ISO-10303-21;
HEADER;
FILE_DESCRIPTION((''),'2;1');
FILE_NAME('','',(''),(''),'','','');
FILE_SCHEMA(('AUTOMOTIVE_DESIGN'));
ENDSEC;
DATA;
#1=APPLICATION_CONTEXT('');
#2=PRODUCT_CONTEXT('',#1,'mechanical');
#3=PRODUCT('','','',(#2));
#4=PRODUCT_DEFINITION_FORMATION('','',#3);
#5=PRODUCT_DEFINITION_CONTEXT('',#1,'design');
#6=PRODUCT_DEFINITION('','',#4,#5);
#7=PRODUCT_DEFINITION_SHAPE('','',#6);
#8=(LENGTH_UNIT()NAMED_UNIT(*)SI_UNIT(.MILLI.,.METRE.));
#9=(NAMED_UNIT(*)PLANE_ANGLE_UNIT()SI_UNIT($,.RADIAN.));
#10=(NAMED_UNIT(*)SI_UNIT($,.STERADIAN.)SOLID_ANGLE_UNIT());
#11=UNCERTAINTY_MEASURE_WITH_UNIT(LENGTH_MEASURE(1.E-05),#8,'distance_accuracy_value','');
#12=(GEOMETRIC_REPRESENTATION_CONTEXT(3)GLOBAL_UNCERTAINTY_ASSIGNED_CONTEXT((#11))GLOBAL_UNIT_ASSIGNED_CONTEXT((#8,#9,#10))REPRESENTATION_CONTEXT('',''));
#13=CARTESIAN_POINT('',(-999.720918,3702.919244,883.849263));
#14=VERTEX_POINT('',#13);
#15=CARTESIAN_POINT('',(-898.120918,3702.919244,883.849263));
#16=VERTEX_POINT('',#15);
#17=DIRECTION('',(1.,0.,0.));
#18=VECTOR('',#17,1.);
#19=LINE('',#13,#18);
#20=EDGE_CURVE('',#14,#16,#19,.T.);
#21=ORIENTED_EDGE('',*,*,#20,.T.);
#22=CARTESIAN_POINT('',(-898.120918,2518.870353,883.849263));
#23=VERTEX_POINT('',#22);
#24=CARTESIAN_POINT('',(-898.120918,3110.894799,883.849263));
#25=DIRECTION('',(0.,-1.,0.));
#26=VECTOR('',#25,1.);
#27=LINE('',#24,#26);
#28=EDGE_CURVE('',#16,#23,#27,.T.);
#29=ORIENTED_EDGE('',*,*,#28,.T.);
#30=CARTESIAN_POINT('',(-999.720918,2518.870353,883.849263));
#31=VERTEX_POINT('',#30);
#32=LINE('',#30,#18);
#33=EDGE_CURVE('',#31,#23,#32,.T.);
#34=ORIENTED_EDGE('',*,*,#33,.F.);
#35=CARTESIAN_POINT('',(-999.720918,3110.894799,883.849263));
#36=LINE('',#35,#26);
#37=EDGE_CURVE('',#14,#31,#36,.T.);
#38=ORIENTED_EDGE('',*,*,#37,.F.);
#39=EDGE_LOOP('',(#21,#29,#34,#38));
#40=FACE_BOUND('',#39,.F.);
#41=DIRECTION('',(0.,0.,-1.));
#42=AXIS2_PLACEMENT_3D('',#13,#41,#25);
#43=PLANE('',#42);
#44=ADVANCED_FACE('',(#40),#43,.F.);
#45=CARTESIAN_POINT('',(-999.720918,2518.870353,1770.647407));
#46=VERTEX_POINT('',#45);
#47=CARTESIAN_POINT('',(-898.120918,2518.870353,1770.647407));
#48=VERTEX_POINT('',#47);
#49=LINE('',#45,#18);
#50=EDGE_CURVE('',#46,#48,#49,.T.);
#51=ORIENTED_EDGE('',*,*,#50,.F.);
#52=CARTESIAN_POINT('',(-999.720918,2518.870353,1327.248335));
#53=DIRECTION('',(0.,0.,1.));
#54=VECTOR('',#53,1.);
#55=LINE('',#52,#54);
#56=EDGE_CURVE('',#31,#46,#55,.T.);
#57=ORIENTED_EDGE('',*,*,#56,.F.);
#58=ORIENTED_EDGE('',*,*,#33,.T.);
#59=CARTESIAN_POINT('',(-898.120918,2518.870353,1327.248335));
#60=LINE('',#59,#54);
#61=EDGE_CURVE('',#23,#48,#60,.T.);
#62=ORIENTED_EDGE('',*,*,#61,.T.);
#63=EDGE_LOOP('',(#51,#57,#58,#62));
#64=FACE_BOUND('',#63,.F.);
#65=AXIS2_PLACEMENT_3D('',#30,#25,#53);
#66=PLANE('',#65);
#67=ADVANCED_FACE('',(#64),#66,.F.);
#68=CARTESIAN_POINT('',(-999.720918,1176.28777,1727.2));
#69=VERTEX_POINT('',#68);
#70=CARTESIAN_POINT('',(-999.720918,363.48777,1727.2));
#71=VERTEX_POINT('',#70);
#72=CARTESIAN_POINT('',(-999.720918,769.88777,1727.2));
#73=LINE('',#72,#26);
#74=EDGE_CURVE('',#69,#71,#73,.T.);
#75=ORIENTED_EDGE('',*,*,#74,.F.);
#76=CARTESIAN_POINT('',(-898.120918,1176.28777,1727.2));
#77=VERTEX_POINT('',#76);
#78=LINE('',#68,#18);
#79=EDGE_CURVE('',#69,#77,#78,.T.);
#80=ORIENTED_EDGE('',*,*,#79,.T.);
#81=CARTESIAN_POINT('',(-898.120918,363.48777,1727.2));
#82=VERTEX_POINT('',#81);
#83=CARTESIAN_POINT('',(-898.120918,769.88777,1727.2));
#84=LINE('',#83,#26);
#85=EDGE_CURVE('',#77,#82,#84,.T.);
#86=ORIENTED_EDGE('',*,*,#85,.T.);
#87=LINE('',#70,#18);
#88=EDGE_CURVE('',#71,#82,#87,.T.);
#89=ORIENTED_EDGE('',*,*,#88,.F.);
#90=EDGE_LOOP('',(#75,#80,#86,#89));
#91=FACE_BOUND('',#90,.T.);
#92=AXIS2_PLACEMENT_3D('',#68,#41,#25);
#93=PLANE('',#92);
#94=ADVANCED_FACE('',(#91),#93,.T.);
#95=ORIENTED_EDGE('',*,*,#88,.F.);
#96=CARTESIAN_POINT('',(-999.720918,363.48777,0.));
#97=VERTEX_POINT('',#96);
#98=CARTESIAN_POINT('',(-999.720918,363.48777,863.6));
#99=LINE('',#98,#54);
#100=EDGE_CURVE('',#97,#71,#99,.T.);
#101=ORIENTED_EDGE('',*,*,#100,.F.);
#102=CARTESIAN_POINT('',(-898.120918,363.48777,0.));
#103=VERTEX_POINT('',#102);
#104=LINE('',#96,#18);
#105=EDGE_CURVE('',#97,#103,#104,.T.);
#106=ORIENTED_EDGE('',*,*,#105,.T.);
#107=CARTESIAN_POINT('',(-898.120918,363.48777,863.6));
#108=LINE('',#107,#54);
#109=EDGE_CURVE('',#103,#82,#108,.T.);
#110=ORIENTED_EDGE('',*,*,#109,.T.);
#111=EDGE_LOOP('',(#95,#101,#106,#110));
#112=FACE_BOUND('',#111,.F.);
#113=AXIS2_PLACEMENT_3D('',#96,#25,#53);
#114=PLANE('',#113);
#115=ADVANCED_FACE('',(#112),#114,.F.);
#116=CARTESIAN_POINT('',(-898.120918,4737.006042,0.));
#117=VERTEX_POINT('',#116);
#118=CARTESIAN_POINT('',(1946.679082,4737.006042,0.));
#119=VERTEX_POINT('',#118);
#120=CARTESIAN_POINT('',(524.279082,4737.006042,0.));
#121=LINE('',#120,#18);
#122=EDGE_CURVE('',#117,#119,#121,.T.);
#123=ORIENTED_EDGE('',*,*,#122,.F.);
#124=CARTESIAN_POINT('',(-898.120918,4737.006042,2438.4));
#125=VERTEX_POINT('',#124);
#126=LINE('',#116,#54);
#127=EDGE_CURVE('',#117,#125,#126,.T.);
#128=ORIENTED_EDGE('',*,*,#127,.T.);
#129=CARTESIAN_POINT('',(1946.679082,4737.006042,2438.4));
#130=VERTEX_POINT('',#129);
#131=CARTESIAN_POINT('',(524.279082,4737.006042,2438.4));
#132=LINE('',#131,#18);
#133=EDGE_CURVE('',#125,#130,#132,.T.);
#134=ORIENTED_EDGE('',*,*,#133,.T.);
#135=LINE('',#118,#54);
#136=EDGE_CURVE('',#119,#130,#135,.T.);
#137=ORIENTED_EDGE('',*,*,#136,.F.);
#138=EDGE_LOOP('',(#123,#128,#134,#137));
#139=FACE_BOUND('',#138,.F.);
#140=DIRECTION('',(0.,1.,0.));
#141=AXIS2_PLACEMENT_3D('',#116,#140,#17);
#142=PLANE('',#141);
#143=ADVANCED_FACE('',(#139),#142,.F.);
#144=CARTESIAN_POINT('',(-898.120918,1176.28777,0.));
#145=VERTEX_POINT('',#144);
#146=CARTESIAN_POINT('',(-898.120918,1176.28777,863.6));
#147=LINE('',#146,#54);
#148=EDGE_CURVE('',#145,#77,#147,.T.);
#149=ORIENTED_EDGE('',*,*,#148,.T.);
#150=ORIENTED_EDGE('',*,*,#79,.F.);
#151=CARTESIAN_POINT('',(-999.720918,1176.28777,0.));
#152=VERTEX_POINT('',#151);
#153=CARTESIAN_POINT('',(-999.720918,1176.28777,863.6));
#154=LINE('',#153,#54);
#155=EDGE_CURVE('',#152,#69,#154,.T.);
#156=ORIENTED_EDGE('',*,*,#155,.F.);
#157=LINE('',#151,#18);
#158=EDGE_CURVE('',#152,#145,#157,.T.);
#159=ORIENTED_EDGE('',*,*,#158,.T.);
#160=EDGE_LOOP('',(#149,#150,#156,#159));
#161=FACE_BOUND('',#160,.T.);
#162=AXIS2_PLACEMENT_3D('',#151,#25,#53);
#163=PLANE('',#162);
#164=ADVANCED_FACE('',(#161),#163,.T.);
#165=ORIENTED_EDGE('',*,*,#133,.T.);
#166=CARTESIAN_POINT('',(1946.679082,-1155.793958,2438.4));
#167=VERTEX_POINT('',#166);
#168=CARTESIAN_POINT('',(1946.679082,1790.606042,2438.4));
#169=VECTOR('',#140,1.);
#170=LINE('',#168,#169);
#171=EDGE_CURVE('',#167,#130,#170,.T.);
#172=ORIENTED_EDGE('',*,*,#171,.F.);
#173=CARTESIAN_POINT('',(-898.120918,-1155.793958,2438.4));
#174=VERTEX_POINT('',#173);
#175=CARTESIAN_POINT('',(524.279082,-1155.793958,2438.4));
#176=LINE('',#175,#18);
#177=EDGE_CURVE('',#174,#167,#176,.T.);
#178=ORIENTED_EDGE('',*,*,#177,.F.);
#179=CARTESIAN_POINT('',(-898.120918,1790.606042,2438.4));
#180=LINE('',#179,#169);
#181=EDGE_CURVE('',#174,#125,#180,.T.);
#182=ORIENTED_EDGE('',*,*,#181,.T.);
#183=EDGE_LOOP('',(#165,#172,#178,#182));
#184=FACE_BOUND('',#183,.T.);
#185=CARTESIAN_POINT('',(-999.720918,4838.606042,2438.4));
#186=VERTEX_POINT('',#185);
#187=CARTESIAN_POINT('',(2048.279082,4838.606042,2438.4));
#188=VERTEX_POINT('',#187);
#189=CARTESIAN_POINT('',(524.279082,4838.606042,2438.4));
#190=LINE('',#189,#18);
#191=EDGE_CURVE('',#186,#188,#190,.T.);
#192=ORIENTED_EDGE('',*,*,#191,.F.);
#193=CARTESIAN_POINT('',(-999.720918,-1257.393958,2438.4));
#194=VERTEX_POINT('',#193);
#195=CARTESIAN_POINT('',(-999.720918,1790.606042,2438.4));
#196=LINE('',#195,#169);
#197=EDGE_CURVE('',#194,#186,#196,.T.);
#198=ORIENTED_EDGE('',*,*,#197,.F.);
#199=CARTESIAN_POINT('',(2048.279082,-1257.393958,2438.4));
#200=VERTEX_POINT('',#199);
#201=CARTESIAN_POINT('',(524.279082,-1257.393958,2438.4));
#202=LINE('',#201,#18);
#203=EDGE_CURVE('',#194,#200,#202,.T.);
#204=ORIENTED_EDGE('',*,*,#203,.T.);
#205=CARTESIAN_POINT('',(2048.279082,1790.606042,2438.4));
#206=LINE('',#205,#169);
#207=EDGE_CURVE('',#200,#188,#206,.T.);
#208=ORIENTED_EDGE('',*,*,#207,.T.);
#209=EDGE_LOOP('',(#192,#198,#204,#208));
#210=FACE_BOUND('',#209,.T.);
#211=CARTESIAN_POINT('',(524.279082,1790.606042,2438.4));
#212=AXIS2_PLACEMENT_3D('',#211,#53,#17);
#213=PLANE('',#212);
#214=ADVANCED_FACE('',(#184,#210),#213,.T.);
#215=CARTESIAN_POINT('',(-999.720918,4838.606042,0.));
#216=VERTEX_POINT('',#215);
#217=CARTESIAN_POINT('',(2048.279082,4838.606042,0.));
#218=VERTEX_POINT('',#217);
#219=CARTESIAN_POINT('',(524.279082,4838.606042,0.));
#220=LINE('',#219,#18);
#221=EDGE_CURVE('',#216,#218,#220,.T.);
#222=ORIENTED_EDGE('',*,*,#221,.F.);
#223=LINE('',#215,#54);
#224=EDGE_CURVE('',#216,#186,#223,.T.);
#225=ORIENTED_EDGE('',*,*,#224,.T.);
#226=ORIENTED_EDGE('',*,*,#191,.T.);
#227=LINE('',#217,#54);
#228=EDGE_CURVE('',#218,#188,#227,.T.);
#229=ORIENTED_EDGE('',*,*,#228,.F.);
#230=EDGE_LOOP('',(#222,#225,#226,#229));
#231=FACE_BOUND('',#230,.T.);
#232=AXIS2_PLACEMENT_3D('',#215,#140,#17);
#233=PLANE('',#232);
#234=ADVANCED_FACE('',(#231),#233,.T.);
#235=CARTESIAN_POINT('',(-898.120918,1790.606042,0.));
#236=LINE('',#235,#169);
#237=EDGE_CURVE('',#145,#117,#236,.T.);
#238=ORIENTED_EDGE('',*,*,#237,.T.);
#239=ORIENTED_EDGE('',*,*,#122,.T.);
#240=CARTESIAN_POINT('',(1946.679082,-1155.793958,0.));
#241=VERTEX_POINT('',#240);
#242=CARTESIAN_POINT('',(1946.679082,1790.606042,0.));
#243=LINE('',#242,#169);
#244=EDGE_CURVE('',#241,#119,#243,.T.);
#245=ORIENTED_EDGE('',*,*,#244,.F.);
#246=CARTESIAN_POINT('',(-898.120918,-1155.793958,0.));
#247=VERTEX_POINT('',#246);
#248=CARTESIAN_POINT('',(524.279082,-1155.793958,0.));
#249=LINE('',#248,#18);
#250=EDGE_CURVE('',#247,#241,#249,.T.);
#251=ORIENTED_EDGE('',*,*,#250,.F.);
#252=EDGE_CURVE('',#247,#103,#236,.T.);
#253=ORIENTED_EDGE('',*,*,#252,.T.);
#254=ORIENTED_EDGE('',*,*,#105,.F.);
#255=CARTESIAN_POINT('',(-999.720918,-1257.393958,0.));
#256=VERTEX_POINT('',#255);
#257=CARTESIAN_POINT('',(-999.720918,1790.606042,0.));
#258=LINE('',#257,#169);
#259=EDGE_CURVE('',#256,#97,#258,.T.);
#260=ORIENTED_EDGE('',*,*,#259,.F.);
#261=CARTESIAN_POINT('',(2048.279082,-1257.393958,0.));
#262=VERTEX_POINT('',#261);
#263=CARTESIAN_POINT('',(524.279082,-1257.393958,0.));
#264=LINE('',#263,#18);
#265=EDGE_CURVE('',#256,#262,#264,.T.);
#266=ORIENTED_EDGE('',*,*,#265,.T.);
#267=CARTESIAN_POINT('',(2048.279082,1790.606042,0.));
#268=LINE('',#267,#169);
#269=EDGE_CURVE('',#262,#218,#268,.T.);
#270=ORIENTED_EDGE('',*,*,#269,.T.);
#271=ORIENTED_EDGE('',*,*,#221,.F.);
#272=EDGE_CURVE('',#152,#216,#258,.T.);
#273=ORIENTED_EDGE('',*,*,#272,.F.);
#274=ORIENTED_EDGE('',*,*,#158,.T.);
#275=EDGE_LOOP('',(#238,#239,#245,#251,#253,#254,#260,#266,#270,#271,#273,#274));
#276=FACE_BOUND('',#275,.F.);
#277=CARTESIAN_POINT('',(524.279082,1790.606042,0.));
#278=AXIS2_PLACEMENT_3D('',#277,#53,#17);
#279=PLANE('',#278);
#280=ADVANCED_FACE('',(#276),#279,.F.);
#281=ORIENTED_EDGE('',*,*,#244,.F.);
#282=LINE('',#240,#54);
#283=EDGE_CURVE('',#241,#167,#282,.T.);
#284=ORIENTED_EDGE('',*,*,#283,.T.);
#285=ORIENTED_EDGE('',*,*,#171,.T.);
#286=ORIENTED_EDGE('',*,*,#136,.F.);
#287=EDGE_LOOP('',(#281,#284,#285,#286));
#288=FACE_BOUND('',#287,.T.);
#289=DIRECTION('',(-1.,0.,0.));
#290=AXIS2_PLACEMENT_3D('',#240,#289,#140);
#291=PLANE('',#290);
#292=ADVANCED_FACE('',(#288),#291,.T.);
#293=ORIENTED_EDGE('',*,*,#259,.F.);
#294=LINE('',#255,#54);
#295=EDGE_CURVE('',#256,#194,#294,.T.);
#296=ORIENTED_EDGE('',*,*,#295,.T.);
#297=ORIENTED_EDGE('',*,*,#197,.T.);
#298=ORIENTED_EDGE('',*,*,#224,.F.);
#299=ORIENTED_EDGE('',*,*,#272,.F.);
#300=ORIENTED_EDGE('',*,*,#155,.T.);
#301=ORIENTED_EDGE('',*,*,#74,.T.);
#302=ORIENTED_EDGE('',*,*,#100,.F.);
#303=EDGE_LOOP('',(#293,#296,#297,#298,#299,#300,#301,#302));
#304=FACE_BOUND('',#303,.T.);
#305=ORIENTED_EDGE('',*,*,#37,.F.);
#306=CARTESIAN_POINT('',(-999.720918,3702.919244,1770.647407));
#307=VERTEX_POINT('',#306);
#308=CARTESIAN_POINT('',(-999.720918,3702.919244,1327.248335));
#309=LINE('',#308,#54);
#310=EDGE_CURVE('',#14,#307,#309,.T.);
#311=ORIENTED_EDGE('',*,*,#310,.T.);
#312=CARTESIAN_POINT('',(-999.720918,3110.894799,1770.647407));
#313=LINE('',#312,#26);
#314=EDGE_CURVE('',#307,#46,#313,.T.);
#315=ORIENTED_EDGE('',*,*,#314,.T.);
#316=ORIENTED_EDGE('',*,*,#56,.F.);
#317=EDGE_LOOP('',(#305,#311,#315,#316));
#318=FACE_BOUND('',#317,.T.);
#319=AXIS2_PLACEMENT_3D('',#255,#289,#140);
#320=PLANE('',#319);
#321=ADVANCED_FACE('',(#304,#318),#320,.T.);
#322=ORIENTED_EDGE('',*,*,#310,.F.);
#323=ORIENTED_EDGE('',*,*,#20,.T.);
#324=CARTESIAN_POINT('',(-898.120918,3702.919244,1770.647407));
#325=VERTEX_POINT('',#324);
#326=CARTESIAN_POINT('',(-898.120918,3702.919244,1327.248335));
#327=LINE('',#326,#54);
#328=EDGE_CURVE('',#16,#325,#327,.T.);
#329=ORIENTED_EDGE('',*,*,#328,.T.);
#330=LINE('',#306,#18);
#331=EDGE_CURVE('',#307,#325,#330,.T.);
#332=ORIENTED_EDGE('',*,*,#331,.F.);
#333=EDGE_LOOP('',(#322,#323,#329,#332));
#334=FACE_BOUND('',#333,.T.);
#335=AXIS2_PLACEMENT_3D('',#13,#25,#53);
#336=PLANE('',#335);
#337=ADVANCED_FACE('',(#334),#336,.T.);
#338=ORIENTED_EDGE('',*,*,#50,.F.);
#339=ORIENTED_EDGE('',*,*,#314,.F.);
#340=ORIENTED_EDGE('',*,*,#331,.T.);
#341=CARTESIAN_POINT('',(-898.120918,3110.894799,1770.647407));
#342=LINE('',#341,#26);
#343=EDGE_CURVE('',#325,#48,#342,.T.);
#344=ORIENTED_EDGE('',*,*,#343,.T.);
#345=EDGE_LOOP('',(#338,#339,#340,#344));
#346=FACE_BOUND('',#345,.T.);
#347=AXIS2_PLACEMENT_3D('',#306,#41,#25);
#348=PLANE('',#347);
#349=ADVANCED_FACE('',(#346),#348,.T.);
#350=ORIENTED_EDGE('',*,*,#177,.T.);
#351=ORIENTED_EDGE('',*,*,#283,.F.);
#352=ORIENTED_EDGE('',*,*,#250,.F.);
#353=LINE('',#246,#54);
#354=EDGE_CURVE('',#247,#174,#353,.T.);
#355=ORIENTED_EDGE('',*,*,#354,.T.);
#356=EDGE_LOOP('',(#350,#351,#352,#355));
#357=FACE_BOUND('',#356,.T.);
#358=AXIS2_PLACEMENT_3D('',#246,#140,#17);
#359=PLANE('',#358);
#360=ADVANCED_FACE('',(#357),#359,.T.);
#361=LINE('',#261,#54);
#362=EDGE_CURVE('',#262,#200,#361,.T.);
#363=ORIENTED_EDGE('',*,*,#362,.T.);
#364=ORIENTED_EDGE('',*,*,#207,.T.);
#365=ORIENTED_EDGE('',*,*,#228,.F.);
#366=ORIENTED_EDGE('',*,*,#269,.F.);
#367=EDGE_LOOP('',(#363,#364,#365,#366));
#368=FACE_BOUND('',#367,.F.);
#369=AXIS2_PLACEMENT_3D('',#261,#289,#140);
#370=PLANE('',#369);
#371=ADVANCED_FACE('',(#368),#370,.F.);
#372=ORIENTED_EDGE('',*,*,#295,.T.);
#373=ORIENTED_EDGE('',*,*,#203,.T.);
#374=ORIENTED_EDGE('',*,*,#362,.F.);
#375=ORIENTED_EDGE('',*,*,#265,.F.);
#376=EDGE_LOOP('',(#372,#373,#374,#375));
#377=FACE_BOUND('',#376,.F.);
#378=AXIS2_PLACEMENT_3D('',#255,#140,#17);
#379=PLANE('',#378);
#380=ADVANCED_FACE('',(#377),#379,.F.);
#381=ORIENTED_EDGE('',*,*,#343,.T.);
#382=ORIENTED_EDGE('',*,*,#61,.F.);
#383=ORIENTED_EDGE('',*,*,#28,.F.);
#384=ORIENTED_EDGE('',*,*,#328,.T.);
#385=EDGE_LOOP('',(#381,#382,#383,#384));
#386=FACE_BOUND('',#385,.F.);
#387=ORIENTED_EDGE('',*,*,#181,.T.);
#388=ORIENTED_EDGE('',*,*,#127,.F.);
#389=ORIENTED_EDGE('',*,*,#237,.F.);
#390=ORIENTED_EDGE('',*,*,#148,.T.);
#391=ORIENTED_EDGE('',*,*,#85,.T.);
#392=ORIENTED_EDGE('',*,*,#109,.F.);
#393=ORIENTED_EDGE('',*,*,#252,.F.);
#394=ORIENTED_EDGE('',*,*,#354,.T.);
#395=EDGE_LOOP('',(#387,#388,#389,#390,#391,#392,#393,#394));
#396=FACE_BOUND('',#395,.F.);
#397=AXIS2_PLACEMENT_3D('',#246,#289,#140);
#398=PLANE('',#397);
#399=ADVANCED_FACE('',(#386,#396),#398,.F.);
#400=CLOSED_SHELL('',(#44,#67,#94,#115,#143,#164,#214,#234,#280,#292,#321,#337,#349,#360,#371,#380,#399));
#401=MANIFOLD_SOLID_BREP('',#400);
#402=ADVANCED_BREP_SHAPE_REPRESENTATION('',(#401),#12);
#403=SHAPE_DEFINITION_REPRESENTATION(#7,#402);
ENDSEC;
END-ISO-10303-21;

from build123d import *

# Parameters (mm, degrees)
F0_W     = 3048
F0_H     = 6096
F0_W_2   = 2844.8
F0_H_2   = 5892.8
F1_DEPTH = 2438.4
F2_W     = 1184.048891
F2_H     = 886.798144
F2_W_2   = 812.8
F2_H_2   = 1727.2
F3_DEPTH = 101.6


with BuildPart() as f1:
    # F0 (on Top) → F1 (new body)
    with BuildSketch(Plane.XY):
        with Locations((524.279082, 1790.606042)):
            Rectangle(F0_W, F0_H)
        with Locations((524.279082, 1790.606042)):
            Rectangle(F0_W_2, F0_H_2, mode=Mode.SUBTRACT)
    extrude(amount=F1_DEPTH)

    # F2 (on face) → F3 (cut, through all)
    with BuildSketch(Plane(origin=(-999.720918, 0, 0), x_dir=(0, -1, 0), z_dir=(-1, 0, 0))):
        with Locations((-3110.894799, 1327.248335)):
            Rectangle(F2_W, F2_H)
        with Locations((-769.88777, 863.6)):
            Rectangle(F2_W_2, F2_H_2)
    extrude(amount=-F3_DEPTH, mode=Mode.SUBTRACT)


solid = f1.part
